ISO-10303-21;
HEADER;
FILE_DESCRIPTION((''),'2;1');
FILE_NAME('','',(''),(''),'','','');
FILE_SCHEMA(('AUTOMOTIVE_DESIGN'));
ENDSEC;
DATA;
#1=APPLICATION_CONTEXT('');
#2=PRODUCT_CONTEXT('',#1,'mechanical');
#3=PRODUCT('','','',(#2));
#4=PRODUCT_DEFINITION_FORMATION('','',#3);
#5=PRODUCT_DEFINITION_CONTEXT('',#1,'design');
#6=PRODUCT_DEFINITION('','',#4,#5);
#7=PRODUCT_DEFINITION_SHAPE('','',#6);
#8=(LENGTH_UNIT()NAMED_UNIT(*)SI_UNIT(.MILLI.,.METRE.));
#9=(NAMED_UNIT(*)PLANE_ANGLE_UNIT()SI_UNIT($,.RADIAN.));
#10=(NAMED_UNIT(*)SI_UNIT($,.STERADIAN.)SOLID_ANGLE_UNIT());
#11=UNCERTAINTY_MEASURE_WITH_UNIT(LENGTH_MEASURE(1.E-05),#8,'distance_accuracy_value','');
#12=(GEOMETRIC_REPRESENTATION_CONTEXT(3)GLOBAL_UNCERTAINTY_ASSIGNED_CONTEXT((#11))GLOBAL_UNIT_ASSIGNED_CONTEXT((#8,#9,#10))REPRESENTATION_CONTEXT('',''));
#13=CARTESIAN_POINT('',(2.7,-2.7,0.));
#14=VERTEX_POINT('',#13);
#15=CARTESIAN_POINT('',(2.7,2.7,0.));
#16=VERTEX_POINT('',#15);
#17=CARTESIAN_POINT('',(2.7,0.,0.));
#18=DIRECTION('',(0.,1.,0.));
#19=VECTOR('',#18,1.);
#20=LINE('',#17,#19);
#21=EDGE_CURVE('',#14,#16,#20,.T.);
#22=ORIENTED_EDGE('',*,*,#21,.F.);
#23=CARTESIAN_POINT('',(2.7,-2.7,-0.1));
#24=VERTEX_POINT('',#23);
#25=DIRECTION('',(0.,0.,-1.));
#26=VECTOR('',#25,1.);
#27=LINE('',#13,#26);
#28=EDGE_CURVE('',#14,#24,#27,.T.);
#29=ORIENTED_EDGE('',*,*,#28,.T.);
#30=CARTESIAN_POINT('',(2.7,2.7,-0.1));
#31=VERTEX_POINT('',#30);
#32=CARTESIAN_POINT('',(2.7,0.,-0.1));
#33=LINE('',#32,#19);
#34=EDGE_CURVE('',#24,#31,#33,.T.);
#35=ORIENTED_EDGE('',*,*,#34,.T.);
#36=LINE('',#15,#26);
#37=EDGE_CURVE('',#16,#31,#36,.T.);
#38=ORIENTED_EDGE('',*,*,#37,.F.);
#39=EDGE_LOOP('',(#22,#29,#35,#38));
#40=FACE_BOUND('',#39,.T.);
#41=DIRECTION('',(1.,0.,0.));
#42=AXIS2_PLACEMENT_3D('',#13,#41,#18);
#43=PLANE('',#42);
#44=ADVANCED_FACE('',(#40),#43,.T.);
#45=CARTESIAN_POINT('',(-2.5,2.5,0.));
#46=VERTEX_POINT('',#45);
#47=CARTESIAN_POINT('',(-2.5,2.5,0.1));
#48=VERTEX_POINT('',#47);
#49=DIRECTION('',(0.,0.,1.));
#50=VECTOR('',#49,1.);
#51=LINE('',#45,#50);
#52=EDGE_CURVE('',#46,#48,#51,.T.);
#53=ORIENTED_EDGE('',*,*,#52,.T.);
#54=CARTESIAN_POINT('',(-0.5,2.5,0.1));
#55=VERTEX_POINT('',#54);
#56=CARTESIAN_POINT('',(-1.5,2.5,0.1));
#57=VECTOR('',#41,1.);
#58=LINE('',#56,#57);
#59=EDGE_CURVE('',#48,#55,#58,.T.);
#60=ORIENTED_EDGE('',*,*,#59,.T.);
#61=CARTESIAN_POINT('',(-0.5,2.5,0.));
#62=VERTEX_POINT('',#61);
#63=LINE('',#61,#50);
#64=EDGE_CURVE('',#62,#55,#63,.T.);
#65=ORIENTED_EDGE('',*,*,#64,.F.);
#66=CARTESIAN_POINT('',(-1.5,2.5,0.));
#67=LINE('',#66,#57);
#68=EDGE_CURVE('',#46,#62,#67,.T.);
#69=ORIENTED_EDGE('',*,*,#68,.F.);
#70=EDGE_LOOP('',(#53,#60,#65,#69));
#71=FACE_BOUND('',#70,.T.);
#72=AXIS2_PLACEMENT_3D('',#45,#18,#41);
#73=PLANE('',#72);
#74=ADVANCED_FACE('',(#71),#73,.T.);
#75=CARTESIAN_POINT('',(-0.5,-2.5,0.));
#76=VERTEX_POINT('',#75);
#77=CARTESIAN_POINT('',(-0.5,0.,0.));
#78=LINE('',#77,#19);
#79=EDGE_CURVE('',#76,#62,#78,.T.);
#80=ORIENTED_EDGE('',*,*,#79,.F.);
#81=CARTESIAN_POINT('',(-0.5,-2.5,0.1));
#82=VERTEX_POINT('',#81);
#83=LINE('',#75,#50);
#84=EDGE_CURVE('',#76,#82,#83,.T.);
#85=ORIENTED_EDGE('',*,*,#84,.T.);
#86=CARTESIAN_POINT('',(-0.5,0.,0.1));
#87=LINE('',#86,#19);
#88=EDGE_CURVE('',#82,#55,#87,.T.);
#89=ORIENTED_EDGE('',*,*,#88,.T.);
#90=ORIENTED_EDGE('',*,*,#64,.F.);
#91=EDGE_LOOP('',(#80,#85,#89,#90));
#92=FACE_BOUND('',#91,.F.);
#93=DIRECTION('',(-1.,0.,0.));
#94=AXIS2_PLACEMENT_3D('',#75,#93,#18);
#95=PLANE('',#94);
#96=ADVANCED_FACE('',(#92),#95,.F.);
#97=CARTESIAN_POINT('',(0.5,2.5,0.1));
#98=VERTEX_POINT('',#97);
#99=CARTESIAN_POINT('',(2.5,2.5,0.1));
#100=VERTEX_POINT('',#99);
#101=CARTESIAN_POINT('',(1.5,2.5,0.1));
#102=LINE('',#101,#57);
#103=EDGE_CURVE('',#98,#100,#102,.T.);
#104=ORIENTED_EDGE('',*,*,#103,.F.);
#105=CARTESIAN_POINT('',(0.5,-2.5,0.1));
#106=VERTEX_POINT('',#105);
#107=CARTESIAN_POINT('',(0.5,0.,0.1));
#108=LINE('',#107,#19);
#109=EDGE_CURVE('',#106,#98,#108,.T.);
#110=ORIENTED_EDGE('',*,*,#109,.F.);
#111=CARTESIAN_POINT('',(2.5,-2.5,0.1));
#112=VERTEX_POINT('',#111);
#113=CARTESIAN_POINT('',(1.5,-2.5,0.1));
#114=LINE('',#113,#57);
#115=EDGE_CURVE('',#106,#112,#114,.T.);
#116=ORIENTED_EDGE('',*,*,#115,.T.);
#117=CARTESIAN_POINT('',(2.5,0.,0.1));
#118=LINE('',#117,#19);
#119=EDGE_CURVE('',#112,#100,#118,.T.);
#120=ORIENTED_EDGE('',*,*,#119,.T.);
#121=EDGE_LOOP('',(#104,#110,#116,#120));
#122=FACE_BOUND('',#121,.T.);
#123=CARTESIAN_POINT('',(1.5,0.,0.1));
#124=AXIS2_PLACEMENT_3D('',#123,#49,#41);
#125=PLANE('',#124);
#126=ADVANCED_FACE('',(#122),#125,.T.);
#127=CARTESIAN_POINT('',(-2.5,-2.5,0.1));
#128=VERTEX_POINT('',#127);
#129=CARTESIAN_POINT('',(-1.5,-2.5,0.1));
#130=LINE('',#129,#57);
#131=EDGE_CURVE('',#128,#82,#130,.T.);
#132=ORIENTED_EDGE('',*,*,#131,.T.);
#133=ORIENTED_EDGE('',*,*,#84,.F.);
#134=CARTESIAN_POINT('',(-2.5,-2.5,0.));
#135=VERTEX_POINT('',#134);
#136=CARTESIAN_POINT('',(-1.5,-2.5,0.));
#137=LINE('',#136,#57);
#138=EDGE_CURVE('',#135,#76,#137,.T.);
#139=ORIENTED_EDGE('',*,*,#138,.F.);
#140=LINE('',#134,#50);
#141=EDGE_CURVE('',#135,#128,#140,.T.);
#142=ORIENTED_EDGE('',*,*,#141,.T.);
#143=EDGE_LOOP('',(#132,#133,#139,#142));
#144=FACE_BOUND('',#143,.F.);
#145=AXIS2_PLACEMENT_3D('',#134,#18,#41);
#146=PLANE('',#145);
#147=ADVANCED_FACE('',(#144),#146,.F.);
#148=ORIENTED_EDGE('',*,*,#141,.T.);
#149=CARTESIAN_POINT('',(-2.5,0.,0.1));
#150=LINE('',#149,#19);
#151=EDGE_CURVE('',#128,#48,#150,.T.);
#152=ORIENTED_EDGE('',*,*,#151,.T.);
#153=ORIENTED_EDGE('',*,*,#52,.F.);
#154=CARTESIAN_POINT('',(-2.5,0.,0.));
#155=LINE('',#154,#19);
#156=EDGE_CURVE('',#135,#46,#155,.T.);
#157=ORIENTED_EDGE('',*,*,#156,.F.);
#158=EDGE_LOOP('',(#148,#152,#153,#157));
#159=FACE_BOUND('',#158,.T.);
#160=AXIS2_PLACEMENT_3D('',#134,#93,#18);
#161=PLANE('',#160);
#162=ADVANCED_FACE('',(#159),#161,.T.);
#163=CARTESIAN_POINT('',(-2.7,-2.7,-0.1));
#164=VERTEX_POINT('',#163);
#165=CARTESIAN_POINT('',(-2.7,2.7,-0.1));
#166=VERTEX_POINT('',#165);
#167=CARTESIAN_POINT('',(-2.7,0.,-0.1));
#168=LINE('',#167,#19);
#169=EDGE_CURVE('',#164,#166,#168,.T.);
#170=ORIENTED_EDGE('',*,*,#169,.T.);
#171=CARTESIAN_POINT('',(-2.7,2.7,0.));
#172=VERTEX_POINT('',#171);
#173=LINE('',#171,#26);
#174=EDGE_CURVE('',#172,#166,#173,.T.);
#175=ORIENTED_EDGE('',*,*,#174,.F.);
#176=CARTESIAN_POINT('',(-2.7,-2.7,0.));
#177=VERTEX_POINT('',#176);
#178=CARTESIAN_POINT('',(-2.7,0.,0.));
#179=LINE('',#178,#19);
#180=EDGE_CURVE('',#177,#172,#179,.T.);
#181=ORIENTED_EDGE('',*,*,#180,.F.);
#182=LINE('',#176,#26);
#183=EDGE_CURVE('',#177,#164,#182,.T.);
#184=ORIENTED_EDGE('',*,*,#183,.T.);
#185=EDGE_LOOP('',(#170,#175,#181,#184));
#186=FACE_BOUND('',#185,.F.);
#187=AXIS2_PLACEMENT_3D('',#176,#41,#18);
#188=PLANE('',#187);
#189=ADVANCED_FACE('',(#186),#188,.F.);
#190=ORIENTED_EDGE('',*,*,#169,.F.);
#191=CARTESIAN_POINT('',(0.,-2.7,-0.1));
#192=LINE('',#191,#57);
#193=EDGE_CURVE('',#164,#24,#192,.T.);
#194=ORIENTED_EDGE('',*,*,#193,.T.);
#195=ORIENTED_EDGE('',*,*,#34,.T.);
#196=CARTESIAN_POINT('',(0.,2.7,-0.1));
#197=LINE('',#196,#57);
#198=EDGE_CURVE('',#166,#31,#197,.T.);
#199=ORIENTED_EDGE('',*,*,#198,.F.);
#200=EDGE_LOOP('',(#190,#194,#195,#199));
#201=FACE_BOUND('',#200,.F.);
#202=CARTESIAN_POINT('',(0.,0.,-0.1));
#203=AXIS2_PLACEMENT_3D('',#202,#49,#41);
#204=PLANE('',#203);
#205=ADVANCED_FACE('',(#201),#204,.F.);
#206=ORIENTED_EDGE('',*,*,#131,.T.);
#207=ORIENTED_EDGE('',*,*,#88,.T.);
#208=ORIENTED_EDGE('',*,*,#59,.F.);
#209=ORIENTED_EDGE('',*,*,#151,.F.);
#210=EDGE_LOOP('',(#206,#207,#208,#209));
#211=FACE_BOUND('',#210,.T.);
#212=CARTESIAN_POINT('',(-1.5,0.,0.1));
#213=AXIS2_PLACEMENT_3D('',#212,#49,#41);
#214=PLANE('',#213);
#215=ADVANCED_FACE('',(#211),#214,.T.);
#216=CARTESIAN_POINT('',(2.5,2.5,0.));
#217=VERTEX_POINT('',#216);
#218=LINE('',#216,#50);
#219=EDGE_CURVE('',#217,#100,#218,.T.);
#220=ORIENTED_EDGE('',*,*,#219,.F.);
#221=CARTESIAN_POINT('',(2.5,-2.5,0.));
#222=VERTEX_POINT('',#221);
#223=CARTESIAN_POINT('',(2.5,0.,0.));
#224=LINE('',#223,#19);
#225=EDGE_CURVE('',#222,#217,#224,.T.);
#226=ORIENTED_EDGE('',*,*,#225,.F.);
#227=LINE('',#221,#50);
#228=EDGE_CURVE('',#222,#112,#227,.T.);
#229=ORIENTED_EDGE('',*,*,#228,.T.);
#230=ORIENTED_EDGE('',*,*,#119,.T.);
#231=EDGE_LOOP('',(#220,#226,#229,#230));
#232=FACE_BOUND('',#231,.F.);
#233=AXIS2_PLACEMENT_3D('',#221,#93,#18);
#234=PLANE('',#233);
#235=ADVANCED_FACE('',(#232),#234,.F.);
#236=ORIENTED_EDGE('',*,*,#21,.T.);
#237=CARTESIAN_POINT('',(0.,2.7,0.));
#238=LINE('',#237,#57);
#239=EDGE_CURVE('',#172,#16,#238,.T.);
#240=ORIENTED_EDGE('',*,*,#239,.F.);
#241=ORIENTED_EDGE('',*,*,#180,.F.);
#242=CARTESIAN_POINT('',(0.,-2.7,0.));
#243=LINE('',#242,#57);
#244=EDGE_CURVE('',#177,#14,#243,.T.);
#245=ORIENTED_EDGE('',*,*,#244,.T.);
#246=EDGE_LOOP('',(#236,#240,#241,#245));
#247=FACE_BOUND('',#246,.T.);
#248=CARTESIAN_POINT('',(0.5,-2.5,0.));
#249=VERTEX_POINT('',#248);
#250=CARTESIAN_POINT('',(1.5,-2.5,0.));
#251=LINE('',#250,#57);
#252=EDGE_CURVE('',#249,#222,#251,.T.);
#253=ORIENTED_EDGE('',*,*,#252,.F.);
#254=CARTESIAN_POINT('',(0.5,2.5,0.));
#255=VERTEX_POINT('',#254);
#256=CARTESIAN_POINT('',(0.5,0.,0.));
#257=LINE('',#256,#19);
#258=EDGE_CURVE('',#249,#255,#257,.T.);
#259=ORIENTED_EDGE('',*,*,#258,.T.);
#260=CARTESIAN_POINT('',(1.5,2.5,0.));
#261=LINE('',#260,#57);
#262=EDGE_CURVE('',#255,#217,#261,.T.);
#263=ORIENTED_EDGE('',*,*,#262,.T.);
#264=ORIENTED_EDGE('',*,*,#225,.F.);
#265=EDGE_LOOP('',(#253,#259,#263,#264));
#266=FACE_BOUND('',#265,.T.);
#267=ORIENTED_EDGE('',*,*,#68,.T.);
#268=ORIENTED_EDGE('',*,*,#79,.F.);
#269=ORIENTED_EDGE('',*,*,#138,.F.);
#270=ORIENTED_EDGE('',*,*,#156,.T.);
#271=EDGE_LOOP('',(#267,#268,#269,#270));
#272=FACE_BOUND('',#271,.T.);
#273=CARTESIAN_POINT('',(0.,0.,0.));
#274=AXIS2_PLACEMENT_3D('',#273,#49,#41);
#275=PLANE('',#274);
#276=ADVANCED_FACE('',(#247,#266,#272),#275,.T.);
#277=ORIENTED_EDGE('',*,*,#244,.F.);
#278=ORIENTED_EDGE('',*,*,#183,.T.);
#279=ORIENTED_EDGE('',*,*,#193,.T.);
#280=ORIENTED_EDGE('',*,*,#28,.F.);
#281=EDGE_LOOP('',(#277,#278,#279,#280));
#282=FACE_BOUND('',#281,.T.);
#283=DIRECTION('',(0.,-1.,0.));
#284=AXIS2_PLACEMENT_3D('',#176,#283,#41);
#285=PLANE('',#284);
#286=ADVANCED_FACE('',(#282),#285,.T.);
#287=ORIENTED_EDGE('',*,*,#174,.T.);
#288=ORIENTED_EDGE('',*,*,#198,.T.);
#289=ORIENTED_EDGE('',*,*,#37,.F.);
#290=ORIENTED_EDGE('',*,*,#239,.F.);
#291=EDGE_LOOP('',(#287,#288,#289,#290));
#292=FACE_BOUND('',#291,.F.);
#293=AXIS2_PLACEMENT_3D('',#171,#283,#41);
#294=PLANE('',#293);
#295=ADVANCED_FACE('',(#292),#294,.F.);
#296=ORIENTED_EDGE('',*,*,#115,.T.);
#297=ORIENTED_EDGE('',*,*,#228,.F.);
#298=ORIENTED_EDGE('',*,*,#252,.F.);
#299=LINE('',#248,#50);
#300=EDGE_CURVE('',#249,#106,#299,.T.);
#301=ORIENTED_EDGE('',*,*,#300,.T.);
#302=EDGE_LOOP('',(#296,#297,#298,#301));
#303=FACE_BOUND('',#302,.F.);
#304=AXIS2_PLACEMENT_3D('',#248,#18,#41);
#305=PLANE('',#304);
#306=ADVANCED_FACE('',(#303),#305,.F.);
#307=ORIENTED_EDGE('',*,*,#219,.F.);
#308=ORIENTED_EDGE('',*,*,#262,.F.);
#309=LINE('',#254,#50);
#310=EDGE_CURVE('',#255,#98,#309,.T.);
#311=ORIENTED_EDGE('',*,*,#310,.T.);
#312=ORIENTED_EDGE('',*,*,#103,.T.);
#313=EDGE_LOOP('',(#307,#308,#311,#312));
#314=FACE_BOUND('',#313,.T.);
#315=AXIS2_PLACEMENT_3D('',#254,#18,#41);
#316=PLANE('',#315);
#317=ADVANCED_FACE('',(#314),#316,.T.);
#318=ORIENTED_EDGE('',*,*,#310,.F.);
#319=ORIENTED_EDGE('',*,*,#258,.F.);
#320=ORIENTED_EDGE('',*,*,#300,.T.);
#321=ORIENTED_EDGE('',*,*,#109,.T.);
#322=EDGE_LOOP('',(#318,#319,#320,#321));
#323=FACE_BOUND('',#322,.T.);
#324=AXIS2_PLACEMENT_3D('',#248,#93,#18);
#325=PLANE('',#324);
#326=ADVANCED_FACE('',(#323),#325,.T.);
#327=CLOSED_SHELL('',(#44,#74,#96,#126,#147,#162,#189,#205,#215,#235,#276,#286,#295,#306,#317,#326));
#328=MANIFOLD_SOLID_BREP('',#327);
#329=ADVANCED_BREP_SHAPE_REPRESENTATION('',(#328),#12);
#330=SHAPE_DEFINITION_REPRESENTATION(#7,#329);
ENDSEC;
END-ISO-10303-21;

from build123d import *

# Parameters (mm, degrees)
F0_W     = 5.4
F0_H     = 5.4
F0_W_2   = 2
F0_H_2   = 5
F1_DEPTH = 0.1
F2_DEPTH = 0.1


with BuildPart() as f1:
    # F0 (on Top) → F1 (new body)
    with BuildSketch(Plane.XY):
        Rectangle(F0_W, F0_H)
        with Locations((-1.5, 0)):
            Rectangle(F0_W_2, F0_H_2, mode=Mode.SUBTRACT)
        with Locations((1.5, 0)):
            Rectangle(F0_W_2, F0_H_2, mode=Mode.SUBTRACT)
        with Locations((-1.5, 0)):
            Rectangle(F0_W_2, F0_H_2)
        with Locations((1.5, 0)):
            Rectangle(F0_W_2, F0_H_2)
    extrude(amount=-F1_DEPTH)

    # F0 (on Top) → F2 (join)
    with BuildSketch(Plane.XY):
        with Locations((-1.5, 0)):
            Rectangle(F0_W_2, F0_H_2)
        with Locations((1.5, 0)):
            Rectangle(F0_W_2, F0_H_2)
    extrude(amount=F2_DEPTH)


solid = f1.part
